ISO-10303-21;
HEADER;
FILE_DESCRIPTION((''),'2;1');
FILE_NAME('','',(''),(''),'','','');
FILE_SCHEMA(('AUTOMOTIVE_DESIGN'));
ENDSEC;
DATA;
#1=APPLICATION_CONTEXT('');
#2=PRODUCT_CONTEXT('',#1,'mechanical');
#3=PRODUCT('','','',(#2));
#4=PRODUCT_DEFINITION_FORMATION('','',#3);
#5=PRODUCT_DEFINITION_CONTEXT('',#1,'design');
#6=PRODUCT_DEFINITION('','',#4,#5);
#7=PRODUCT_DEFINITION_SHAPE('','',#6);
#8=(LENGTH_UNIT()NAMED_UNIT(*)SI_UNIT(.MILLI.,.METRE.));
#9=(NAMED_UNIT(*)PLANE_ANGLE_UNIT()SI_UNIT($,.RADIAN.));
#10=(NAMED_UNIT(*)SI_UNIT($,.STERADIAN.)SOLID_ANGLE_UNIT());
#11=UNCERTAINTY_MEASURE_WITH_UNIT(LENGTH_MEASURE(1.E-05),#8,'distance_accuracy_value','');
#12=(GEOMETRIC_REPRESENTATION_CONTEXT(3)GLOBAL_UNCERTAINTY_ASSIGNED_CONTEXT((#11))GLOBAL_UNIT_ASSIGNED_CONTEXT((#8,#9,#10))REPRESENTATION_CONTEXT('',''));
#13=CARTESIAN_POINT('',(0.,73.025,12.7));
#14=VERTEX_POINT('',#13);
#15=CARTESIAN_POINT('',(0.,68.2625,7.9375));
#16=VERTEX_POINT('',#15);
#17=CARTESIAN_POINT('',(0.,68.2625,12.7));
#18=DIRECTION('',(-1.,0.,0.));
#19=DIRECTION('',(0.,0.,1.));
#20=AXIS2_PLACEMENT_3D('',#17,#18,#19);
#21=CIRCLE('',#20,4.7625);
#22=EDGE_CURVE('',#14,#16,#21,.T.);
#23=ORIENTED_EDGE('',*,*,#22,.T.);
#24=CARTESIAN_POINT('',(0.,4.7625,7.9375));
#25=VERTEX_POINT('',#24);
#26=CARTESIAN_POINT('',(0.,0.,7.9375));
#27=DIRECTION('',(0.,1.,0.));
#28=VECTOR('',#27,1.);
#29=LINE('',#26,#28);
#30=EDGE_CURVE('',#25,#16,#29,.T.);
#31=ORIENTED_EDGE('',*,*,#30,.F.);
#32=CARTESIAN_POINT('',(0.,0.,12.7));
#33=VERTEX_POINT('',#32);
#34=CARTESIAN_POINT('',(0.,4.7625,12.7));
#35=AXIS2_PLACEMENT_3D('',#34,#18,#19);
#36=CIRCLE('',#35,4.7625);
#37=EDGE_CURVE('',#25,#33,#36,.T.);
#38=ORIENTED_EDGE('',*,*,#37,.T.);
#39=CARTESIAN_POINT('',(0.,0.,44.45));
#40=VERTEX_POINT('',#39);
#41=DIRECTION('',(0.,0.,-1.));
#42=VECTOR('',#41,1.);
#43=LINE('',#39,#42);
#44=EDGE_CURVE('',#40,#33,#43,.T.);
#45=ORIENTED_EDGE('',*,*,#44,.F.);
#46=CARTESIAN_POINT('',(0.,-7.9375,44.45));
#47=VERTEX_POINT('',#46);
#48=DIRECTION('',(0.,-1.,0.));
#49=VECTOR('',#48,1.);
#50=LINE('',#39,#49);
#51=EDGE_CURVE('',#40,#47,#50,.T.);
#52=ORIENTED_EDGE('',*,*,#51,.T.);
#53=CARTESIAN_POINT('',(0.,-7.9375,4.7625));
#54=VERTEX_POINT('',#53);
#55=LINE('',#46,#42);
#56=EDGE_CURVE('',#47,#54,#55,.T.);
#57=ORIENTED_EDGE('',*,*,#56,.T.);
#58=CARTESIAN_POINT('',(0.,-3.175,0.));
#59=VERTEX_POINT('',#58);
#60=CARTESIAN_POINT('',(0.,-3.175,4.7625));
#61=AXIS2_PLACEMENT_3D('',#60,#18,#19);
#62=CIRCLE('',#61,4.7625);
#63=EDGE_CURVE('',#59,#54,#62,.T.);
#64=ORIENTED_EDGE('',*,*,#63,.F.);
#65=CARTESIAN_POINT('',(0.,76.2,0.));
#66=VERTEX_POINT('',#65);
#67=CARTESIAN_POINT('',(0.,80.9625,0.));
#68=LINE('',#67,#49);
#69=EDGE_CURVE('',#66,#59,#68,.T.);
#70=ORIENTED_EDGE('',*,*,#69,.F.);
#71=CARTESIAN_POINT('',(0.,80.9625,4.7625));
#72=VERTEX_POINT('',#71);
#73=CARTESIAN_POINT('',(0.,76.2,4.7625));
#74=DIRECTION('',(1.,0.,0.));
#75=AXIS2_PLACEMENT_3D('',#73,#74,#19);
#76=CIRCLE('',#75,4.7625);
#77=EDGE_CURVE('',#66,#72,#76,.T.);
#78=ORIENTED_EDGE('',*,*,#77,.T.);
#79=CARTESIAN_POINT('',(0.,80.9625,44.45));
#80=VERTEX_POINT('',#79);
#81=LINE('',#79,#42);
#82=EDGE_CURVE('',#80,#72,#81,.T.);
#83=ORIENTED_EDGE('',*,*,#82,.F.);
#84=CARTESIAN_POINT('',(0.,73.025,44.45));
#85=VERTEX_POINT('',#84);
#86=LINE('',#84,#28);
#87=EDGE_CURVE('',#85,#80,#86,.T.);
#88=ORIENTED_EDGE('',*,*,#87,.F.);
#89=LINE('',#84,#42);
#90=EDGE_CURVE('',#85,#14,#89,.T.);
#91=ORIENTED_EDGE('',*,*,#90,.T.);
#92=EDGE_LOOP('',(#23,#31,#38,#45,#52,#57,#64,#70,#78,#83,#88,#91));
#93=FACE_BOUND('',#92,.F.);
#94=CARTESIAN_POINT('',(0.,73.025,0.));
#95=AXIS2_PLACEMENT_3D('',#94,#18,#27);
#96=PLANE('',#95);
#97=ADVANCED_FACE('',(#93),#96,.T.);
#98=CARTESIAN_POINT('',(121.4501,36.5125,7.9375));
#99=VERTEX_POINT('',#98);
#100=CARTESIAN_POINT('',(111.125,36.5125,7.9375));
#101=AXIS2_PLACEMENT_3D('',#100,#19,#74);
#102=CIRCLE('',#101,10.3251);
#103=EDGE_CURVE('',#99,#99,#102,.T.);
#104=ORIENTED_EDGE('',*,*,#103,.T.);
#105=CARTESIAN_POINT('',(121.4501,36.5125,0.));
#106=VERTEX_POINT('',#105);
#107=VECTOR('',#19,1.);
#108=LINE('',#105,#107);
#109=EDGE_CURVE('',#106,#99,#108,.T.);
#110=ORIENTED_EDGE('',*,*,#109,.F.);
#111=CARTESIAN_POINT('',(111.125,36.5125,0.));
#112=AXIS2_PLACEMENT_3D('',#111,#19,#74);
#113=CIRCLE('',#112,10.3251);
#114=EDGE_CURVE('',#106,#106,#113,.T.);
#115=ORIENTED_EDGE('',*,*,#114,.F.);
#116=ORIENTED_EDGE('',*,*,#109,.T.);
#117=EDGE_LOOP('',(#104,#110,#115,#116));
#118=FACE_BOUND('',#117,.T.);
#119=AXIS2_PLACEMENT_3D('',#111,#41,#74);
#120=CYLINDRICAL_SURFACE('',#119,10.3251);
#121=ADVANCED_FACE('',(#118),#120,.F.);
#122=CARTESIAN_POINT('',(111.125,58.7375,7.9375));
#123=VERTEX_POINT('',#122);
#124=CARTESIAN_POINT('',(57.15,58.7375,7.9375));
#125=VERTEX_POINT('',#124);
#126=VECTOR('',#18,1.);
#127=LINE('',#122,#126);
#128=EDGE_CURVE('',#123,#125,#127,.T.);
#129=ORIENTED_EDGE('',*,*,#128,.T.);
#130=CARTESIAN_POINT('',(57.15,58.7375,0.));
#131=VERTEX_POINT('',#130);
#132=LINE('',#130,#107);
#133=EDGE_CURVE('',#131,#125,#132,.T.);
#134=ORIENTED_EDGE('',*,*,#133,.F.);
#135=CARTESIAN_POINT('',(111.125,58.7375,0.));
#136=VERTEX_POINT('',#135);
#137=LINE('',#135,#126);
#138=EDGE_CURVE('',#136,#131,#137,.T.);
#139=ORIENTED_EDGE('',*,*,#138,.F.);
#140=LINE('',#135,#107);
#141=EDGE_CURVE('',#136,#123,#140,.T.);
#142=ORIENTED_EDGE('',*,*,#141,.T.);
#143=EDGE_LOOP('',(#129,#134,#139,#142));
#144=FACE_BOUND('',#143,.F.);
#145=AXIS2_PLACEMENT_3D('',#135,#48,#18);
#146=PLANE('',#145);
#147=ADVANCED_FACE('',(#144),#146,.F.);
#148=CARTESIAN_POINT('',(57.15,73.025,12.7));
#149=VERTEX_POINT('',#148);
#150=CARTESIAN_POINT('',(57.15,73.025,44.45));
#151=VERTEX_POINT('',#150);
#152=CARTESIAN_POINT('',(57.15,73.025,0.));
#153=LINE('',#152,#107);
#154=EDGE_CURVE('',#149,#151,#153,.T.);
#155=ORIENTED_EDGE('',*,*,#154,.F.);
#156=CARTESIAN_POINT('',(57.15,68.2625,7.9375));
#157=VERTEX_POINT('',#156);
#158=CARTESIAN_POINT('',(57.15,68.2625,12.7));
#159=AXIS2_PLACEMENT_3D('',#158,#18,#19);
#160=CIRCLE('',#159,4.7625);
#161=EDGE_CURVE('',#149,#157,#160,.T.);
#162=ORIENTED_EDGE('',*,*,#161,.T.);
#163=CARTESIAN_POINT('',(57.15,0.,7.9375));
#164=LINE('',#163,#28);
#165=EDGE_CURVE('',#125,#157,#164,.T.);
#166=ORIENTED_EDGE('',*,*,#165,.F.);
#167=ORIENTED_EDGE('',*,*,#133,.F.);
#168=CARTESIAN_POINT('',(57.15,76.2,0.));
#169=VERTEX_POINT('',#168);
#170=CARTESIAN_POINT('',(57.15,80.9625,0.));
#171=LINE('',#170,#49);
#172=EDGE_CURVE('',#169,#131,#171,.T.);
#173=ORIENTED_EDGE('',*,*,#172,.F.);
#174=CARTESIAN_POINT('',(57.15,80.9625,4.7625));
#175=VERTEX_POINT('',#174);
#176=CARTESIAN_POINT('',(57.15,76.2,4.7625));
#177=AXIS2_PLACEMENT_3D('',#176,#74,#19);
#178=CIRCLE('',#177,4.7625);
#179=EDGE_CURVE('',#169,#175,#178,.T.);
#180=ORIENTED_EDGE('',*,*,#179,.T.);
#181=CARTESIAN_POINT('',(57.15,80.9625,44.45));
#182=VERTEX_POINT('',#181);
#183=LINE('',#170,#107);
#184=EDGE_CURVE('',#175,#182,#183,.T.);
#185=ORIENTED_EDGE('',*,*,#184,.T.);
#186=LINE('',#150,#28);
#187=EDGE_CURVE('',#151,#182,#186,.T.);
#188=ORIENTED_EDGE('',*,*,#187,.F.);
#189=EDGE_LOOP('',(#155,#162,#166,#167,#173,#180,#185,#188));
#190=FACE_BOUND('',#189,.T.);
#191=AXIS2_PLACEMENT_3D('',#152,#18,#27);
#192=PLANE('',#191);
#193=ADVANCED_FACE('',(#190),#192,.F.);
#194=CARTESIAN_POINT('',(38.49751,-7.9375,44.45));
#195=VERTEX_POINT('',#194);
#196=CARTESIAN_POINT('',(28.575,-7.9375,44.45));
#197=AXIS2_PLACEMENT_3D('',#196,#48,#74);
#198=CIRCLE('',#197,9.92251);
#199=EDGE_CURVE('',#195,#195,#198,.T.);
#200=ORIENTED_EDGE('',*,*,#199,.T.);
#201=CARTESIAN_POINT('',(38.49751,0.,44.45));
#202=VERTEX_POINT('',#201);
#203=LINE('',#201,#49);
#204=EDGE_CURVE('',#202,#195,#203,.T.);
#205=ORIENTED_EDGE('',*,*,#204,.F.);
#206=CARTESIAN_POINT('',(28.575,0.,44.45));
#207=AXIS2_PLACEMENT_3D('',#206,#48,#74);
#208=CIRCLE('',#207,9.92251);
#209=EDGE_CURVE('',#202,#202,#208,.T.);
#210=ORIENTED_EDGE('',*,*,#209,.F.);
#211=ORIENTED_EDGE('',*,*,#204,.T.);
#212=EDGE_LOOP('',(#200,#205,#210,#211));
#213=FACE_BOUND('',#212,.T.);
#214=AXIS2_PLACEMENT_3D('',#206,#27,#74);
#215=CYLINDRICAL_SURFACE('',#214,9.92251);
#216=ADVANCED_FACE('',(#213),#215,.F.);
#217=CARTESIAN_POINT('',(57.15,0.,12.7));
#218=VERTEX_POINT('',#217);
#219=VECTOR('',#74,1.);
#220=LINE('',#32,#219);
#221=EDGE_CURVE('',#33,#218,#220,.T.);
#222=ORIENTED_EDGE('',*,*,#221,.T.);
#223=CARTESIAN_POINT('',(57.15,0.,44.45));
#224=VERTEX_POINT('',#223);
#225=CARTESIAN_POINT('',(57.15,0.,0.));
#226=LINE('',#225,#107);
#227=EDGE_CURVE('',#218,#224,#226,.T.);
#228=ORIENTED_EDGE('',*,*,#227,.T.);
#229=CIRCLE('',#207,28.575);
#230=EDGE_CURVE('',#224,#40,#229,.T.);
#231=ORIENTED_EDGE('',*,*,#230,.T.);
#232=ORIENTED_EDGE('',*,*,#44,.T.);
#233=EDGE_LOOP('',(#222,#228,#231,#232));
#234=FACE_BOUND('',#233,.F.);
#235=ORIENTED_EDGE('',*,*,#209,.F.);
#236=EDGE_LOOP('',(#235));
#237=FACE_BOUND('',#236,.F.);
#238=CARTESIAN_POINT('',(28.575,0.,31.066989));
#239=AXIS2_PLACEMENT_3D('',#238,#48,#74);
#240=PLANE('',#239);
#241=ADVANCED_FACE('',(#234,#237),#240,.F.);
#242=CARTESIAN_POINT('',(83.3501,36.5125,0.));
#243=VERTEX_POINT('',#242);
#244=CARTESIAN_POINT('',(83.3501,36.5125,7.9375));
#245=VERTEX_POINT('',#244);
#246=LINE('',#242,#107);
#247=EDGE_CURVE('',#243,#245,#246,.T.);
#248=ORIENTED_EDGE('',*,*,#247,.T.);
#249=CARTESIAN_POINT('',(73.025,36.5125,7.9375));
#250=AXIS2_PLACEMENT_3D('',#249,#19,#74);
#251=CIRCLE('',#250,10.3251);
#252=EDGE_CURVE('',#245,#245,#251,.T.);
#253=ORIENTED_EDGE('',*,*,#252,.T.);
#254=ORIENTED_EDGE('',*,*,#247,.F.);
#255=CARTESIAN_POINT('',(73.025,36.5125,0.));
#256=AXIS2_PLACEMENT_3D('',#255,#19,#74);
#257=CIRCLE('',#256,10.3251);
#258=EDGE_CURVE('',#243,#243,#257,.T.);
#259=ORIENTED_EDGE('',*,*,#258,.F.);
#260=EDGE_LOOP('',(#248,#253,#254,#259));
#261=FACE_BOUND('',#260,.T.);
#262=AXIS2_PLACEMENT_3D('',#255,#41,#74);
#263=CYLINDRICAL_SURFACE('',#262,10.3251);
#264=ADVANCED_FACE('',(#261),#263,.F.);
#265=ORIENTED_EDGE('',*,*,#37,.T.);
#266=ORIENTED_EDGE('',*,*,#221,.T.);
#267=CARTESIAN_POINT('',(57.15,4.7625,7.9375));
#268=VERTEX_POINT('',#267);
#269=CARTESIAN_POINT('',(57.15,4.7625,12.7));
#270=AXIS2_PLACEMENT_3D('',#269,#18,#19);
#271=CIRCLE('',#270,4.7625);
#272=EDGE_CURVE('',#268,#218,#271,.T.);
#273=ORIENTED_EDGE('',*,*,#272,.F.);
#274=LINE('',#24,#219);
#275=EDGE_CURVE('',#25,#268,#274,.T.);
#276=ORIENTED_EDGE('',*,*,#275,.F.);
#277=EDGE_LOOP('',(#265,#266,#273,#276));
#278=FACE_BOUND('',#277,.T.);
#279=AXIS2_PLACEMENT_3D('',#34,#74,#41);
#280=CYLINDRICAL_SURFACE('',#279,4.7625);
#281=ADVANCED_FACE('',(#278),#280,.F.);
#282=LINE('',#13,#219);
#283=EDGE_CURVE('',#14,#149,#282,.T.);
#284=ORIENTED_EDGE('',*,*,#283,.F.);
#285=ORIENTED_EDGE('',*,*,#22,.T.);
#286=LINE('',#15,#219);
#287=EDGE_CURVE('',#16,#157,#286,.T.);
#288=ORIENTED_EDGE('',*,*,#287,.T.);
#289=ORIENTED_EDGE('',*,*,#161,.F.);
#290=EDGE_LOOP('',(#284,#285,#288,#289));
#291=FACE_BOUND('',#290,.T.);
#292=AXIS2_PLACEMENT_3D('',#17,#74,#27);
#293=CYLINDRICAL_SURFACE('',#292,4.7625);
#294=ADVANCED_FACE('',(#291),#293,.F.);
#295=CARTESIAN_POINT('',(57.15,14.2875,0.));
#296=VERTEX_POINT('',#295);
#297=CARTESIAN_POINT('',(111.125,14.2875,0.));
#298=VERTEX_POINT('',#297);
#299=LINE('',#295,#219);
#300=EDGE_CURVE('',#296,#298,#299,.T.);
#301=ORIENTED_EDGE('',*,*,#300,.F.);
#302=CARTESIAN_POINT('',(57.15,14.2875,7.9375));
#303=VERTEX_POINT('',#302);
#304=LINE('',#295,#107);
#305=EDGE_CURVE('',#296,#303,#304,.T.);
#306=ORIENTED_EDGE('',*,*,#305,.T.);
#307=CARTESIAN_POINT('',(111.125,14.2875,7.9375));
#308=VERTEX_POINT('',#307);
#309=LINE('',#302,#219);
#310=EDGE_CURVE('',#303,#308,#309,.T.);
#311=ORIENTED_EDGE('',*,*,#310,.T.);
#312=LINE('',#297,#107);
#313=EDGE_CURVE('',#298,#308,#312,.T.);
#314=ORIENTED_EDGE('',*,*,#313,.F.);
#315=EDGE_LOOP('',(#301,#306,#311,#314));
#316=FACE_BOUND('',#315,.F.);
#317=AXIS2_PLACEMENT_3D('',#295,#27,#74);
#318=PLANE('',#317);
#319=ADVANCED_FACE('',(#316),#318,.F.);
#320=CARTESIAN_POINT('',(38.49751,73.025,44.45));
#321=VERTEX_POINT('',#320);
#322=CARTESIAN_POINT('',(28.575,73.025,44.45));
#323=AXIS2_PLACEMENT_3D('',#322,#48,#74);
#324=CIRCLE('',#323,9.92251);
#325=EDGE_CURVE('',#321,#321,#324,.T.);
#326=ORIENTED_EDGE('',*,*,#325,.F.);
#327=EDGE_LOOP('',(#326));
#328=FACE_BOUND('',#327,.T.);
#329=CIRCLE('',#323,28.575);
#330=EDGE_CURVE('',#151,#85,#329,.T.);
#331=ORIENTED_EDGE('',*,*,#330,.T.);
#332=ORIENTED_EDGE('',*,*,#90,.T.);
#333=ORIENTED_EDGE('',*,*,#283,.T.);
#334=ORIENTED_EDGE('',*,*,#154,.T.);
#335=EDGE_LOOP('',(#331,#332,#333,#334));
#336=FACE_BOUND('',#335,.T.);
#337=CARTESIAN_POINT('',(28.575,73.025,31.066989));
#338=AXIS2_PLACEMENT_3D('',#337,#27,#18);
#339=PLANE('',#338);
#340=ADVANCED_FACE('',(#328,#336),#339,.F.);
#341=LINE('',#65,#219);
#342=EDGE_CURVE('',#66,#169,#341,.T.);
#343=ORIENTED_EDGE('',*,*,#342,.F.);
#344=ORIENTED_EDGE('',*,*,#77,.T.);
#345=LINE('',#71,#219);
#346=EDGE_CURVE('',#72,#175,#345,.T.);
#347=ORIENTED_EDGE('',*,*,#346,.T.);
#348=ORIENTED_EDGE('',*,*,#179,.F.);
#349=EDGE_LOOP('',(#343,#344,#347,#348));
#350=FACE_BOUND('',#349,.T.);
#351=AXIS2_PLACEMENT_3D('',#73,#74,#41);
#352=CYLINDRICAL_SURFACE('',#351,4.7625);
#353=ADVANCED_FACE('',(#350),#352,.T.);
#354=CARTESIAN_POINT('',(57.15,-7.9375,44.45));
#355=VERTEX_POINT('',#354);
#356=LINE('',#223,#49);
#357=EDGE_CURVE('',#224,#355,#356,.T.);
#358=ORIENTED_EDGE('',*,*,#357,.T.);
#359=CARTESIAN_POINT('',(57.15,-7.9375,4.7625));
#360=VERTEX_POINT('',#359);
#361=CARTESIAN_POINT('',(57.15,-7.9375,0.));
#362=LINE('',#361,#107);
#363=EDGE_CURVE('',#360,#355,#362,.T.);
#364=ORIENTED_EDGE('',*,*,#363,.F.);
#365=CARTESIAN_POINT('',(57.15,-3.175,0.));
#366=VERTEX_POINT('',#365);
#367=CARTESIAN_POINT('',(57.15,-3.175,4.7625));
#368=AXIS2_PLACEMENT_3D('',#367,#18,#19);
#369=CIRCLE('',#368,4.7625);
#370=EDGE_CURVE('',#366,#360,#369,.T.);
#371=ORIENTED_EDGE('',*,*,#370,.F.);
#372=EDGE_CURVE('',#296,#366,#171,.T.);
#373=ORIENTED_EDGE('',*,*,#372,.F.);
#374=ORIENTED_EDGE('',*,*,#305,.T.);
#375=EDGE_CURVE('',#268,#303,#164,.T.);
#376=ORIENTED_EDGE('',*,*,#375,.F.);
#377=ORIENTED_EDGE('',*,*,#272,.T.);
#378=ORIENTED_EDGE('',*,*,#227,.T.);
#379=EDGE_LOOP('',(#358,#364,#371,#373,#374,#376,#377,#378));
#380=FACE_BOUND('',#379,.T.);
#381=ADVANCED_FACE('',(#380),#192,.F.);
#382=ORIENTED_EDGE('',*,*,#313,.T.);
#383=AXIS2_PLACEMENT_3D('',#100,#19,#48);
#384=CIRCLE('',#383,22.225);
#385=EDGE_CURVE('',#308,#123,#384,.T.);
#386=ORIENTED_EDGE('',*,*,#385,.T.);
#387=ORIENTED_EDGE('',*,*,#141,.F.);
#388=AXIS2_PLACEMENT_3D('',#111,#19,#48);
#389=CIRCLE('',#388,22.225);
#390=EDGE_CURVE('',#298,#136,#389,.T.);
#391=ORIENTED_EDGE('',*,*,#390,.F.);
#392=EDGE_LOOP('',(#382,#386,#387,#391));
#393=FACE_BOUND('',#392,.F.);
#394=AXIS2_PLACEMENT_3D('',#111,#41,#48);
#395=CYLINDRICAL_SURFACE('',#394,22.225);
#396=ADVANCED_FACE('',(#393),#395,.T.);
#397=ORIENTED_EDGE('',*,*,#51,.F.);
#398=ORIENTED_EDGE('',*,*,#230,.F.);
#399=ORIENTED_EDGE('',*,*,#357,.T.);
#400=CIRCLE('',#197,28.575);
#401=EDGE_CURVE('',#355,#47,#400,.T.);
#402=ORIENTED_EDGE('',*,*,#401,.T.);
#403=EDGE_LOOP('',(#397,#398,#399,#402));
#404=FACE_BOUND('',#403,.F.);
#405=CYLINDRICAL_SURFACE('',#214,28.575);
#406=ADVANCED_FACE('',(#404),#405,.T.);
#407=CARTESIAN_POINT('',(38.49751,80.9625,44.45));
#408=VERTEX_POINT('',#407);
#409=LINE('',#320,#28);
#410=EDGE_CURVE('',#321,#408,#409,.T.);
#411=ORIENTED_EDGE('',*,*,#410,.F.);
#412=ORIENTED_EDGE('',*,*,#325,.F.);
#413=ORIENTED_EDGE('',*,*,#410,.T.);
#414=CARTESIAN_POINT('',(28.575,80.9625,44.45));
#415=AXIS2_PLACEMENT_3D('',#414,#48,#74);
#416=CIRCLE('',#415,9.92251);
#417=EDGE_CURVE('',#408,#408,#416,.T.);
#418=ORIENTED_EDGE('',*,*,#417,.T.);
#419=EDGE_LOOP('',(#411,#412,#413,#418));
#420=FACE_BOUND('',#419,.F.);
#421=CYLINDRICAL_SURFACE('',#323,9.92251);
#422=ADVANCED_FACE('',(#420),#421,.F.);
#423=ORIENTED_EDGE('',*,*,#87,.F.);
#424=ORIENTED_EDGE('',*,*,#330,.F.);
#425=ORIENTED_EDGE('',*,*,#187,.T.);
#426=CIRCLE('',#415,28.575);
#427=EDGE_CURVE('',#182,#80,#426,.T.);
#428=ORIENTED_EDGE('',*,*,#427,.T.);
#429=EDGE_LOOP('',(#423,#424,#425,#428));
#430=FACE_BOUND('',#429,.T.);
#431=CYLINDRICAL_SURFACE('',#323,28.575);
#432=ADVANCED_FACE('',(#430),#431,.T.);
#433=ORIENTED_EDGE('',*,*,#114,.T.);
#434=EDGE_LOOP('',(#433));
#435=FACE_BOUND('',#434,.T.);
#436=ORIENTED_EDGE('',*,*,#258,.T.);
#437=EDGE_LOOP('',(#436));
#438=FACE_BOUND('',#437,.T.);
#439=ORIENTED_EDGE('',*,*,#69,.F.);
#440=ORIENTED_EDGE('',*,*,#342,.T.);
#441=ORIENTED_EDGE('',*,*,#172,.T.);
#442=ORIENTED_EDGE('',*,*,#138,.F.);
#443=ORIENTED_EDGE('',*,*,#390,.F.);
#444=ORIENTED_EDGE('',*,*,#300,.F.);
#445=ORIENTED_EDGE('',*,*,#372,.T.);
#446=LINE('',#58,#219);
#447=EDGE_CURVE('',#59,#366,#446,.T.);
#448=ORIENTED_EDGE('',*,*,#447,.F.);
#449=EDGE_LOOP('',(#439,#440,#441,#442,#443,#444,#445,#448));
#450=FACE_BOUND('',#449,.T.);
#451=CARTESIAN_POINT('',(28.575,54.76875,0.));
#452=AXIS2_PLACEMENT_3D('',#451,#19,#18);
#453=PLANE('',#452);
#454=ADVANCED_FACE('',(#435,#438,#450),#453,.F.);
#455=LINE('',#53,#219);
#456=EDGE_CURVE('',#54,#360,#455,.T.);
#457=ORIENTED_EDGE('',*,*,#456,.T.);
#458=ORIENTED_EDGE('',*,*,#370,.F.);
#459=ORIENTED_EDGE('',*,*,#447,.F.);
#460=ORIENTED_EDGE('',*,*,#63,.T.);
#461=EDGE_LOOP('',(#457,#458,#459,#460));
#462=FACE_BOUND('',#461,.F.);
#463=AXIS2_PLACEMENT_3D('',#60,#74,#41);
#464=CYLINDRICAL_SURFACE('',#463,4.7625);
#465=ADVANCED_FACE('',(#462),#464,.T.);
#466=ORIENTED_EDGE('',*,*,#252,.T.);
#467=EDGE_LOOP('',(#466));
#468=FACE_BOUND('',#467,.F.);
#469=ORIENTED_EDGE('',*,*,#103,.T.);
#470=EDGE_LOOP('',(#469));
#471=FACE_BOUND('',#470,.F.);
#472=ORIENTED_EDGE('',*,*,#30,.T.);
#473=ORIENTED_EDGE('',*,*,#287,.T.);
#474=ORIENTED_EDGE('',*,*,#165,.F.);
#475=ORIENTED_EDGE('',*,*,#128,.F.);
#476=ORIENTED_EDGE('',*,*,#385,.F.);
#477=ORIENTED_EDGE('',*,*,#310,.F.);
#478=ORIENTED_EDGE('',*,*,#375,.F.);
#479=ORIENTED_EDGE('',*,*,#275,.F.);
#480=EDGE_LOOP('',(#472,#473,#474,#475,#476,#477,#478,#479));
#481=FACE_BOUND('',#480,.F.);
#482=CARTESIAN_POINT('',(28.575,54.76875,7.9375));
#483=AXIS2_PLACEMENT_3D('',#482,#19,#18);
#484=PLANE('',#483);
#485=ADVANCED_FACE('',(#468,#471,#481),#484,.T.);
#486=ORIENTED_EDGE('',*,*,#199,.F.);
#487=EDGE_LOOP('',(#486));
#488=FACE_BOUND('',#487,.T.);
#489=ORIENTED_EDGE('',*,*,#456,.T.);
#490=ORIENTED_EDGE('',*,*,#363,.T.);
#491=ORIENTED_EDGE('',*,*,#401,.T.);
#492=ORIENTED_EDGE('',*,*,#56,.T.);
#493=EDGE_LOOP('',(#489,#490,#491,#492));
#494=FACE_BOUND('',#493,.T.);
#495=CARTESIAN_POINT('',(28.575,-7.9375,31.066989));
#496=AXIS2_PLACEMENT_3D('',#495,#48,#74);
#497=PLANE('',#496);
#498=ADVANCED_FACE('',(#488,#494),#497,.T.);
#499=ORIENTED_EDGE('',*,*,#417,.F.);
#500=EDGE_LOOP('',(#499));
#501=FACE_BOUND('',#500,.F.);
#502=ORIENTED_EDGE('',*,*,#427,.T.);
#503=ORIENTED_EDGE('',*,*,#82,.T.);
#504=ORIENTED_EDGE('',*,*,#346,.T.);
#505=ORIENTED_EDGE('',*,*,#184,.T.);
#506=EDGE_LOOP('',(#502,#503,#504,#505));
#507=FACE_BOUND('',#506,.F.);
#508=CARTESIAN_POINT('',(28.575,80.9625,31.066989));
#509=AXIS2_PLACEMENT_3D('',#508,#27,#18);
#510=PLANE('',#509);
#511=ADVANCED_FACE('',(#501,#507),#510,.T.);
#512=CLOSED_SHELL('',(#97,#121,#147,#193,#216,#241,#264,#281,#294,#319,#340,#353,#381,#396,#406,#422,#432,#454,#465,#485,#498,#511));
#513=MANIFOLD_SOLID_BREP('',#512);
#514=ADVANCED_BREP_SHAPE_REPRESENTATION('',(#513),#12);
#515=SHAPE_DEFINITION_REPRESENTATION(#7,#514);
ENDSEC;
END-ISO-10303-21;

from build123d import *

# Parameters (mm, degrees)
F0_R     = 9.92251
F1_DEPTH = 7.9375
F2_W     = 57.15
F2_H     = 36.5125
F3_DEPTH = 7.9375
F5_R     = 10.3251
F6_DEPTH = 7.9375
F7_R     = 4.7625


with BuildPart() as f1:
    # F0 (on Front) → F1 (new body)
    with BuildSketch(Plane.XZ):
        with BuildLine():
            Line((0, 44.45), (0, 0))
            Line((0, 0), (57.15, 0))
            Line((57.15, 0), (57.15, 44.45))
            ThreePointArc((57.15, 44.45), (28.575, 73.025), (0, 44.45))
        make_face()
        with Locations((28.575, 44.45)):
            Circle(F0_R, mode=Mode.SUBTRACT)
    extrude(amount=F1_DEPTH)

    # F2 (on Top) → F3 (join)
    with BuildSketch(Plane.XY):
        with Locations((28.575, 18.25625)):
            Rectangle(F2_W, F2_H)
    extrude(amount=F3_DEPTH)

    # F4: F1 across face


with BuildPart() as f1_1:
    add(f1.part)
    add(f1.part.mirror(Plane(origin=(28.575, 36.5125, 3.96875), x_dir=(-1, 0, 0), z_dir=(0, 1, 0))))

    # F5 (on Top) → F6 (join)
    with BuildSketch(Plane.XY):
        with BuildLine():
            Line((57.15, 58.7375), (57.15, 14.2875))
            Line((57.15, 14.2875), (111.125, 14.2875))
            ThreePointArc((111.125, 14.2875), (133.35, 36.5125), (111.125, 58.7375))
            Line((111.125, 58.7375), (57.15, 58.7375))
        make_face()
        with Locations((73.025, 36.5125)):
            Circle(F5_R, mode=Mode.SUBTRACT)
        with Locations((111.125, 36.5125)):
            Circle(F5_R, mode=Mode.SUBTRACT)
    extrude(amount=F6_DEPTH)

    # F7
    f7_edges = [f1_1.edges().sort_by_distance(p)[0] for p in [
        (28.575, 73.025, 7.9375),
        (28.575, 0, 7.9375),
        (28.575, -7.9375, 0),
        (28.575, 80.9625, 0),
    ]]
    fillet(f7_edges, radius=F7_R)


solid = f1_1.part
